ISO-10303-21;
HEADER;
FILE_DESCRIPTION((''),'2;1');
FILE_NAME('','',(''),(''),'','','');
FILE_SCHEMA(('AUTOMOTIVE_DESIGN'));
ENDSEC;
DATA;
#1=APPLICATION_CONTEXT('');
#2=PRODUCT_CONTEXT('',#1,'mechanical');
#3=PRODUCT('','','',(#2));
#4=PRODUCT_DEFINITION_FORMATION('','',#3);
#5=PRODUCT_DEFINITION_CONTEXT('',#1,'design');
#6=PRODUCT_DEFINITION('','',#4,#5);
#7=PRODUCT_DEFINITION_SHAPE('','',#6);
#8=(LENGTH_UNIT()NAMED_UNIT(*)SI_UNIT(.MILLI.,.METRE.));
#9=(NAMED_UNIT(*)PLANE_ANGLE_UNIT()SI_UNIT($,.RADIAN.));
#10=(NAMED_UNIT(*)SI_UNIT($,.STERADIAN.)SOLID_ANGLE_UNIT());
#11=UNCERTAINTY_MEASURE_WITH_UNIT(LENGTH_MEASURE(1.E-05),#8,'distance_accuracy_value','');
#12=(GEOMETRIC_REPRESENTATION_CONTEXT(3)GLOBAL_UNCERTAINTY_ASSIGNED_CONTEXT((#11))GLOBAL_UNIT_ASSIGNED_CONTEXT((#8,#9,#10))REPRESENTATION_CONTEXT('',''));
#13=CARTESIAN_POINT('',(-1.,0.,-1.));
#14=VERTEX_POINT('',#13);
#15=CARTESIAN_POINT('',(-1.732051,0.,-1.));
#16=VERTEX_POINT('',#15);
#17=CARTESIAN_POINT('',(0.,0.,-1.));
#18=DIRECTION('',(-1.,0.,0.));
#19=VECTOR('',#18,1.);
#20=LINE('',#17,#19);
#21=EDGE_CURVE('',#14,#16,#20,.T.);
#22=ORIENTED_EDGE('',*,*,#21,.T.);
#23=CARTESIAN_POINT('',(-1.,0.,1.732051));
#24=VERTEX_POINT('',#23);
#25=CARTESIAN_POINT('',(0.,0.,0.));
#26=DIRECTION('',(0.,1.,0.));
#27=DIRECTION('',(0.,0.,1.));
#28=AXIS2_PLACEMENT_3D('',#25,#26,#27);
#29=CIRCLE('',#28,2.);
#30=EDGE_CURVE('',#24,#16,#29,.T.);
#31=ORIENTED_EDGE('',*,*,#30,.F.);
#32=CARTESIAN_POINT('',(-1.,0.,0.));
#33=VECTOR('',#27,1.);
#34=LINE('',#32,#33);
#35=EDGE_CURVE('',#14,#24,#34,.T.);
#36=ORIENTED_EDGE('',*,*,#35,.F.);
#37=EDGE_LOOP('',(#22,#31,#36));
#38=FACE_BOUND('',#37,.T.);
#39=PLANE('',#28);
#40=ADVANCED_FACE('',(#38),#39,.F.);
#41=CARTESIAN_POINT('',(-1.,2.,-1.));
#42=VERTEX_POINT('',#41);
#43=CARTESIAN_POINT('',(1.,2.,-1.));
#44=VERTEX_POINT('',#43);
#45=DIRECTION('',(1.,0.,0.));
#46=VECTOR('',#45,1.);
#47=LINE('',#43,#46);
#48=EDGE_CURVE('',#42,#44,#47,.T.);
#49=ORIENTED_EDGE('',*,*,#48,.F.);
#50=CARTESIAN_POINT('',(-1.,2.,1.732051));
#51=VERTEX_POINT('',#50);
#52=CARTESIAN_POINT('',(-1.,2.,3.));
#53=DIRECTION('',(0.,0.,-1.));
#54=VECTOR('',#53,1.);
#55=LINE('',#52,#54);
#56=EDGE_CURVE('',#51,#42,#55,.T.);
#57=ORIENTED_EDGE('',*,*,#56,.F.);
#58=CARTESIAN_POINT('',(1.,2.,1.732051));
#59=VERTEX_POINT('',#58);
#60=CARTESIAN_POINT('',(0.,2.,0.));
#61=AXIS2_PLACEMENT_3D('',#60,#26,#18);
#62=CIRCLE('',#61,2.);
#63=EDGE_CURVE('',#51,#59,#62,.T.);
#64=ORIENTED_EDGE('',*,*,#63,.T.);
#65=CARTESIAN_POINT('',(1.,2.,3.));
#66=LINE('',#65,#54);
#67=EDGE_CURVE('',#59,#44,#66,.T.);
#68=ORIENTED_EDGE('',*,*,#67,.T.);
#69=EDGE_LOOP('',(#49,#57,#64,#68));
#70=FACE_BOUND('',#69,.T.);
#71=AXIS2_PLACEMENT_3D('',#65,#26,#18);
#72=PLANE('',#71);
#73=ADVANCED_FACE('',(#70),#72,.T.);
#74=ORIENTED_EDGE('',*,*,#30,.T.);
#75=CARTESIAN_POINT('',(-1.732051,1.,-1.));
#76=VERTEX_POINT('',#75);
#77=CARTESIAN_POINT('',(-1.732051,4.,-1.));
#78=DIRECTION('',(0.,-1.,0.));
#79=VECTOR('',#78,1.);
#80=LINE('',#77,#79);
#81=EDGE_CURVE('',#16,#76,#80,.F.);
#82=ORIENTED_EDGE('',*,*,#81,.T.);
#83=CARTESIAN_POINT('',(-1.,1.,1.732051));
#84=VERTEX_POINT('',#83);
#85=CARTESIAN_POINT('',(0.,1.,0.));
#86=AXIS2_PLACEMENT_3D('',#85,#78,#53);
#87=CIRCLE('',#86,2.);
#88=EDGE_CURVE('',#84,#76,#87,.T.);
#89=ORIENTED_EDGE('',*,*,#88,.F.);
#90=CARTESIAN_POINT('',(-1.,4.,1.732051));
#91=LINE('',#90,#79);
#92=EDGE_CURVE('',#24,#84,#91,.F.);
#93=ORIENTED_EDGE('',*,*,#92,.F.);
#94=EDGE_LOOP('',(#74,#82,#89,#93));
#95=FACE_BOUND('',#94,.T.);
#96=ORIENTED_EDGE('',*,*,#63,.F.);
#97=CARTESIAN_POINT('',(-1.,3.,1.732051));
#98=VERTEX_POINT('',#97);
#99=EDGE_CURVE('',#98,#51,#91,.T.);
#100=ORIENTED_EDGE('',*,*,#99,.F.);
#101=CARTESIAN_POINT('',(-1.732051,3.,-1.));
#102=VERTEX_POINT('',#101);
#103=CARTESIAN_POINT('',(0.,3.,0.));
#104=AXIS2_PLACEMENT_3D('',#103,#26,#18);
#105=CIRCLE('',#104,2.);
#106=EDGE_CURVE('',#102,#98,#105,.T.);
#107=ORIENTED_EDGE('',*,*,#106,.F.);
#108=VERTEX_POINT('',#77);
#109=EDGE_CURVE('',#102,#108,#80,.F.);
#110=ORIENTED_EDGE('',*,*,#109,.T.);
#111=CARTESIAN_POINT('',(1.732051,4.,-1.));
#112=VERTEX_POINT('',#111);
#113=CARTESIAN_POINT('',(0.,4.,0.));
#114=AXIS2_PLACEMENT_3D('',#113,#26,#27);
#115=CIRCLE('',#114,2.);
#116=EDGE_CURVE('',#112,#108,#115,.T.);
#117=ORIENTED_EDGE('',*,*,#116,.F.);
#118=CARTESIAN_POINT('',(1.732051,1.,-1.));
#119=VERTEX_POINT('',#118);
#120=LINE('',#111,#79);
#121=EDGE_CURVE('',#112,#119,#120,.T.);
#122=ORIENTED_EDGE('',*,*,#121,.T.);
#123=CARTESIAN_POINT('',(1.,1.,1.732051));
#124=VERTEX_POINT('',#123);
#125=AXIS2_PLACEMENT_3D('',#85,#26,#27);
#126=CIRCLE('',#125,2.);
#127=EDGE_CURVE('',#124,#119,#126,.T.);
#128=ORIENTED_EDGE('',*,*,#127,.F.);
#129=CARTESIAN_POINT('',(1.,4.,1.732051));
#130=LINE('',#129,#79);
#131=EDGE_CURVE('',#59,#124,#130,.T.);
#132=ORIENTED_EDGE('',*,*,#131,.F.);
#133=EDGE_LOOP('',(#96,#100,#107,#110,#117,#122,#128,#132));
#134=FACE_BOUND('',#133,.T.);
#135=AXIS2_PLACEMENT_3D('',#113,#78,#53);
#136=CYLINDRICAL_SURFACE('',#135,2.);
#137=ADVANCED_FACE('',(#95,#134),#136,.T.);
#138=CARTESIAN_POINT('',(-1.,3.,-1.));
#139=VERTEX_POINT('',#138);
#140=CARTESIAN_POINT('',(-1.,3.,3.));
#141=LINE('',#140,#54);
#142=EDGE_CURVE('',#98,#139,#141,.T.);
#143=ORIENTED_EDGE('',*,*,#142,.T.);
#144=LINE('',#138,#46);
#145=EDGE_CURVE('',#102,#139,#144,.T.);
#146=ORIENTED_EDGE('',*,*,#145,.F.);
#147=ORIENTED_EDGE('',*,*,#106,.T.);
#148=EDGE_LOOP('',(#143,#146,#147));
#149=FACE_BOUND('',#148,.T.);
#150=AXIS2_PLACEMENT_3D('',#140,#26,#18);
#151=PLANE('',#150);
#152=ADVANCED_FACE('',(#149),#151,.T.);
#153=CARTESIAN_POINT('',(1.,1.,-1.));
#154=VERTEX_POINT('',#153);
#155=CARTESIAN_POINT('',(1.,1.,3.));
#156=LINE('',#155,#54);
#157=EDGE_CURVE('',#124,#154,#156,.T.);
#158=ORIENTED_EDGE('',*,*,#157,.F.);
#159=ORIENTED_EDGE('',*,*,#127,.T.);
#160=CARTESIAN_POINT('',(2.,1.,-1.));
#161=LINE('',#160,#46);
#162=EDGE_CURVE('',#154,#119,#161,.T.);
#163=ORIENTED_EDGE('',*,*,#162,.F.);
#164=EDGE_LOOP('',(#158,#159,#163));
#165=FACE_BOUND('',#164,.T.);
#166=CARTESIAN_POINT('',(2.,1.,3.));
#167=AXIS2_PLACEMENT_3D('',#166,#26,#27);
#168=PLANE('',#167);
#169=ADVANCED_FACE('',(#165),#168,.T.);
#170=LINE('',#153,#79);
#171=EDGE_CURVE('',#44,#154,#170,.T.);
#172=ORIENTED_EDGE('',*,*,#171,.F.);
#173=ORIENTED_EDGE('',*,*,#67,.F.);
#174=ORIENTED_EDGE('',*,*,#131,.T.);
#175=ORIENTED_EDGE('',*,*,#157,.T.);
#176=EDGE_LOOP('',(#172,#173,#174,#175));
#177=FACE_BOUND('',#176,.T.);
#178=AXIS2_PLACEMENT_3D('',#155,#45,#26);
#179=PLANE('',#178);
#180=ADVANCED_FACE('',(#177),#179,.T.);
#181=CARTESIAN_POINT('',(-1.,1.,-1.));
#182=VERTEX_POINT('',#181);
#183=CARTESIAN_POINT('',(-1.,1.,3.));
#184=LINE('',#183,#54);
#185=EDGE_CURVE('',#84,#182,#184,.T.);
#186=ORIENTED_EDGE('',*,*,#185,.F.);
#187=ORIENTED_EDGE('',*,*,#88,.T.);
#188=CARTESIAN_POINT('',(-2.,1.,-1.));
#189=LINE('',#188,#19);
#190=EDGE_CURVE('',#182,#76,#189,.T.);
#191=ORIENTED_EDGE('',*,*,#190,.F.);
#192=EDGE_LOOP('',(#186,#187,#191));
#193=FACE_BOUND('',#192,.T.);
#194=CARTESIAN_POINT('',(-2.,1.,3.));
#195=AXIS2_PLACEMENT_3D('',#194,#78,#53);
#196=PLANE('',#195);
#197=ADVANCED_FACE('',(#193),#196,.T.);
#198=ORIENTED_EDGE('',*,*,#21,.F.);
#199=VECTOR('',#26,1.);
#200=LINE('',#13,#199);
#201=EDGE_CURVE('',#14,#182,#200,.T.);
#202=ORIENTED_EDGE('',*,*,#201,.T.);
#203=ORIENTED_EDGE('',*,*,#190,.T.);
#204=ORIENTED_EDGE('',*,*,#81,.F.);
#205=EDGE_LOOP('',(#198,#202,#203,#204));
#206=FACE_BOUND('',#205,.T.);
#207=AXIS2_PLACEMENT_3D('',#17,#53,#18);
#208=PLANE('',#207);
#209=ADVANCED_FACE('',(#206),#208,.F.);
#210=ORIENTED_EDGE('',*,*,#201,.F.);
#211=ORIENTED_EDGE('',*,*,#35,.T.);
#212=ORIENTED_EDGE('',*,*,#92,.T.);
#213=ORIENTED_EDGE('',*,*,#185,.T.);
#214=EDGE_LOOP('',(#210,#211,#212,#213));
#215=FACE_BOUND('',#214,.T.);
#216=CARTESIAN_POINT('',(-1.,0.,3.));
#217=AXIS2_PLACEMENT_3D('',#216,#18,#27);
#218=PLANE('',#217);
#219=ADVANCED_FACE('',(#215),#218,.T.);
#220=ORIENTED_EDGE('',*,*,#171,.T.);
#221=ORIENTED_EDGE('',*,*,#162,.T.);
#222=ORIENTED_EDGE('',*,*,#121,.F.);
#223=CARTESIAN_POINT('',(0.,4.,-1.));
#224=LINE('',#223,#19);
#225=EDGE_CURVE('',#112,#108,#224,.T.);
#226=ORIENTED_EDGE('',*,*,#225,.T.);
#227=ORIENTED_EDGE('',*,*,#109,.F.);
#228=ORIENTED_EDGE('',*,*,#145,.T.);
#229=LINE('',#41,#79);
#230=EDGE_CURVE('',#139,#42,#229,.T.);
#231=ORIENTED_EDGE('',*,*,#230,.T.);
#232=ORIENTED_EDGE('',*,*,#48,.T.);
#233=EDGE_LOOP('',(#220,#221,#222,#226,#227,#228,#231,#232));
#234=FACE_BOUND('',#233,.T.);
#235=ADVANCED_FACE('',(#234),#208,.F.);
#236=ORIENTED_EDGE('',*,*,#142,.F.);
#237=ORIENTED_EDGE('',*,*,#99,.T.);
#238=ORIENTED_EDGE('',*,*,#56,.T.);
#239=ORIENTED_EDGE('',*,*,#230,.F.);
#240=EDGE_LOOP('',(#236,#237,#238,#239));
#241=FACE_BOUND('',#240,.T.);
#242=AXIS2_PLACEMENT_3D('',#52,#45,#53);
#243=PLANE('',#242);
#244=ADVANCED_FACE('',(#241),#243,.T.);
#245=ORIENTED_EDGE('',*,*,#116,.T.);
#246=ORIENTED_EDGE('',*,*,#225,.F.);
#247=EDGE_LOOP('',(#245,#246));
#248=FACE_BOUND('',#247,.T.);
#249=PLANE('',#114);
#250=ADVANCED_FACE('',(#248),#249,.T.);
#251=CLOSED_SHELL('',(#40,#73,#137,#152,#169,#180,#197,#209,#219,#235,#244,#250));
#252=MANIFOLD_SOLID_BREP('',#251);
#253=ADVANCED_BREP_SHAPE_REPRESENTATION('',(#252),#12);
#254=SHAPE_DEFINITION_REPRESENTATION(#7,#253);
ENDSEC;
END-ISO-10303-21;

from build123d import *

# Parameters (mm, degrees)
SKETCH1_R               = 2
BOSS_EXTRUDE1_DEPTH     = 4
SKETCH2_W               = 1
SKETCH2_H               = 1
CUT_EXTRUDE1_DEPTH      = 3
CUT_EXTRUDE1_DEPTH_BACK = 1


with BuildPart() as part:
    # Sketch1 → Boss-Extrude1 (new body)
    with BuildSketch(Plane(origin=(0, 0, 0), x_dir=(1, 0, 0), z_dir=(0, 1, 0))):
        Circle(SKETCH1_R)
    extrude(amount=BOSS_EXTRUDE1_DEPTH)

    # Sketch2 → Cut-Extrude1 (cut, two sides)
    with BuildSketch(Plane.XY) as cut_extrude1_sk:
        Polygon((-2, 4), (2, 4), (2, 1), (1, 1), (1, 2), (-1, 2), (-1, 3), (-2, 3), align=None)
        with Locations((-1.5, 0.5)):
            Rectangle(SKETCH2_W, SKETCH2_H)
    extrude(amount=CUT_EXTRUDE1_DEPTH, mode=Mode.SUBTRACT)
    extrude(cut_extrude1_sk.sketch, amount=-CUT_EXTRUDE1_DEPTH_BACK, mode=Mode.SUBTRACT)


solid = part.part
